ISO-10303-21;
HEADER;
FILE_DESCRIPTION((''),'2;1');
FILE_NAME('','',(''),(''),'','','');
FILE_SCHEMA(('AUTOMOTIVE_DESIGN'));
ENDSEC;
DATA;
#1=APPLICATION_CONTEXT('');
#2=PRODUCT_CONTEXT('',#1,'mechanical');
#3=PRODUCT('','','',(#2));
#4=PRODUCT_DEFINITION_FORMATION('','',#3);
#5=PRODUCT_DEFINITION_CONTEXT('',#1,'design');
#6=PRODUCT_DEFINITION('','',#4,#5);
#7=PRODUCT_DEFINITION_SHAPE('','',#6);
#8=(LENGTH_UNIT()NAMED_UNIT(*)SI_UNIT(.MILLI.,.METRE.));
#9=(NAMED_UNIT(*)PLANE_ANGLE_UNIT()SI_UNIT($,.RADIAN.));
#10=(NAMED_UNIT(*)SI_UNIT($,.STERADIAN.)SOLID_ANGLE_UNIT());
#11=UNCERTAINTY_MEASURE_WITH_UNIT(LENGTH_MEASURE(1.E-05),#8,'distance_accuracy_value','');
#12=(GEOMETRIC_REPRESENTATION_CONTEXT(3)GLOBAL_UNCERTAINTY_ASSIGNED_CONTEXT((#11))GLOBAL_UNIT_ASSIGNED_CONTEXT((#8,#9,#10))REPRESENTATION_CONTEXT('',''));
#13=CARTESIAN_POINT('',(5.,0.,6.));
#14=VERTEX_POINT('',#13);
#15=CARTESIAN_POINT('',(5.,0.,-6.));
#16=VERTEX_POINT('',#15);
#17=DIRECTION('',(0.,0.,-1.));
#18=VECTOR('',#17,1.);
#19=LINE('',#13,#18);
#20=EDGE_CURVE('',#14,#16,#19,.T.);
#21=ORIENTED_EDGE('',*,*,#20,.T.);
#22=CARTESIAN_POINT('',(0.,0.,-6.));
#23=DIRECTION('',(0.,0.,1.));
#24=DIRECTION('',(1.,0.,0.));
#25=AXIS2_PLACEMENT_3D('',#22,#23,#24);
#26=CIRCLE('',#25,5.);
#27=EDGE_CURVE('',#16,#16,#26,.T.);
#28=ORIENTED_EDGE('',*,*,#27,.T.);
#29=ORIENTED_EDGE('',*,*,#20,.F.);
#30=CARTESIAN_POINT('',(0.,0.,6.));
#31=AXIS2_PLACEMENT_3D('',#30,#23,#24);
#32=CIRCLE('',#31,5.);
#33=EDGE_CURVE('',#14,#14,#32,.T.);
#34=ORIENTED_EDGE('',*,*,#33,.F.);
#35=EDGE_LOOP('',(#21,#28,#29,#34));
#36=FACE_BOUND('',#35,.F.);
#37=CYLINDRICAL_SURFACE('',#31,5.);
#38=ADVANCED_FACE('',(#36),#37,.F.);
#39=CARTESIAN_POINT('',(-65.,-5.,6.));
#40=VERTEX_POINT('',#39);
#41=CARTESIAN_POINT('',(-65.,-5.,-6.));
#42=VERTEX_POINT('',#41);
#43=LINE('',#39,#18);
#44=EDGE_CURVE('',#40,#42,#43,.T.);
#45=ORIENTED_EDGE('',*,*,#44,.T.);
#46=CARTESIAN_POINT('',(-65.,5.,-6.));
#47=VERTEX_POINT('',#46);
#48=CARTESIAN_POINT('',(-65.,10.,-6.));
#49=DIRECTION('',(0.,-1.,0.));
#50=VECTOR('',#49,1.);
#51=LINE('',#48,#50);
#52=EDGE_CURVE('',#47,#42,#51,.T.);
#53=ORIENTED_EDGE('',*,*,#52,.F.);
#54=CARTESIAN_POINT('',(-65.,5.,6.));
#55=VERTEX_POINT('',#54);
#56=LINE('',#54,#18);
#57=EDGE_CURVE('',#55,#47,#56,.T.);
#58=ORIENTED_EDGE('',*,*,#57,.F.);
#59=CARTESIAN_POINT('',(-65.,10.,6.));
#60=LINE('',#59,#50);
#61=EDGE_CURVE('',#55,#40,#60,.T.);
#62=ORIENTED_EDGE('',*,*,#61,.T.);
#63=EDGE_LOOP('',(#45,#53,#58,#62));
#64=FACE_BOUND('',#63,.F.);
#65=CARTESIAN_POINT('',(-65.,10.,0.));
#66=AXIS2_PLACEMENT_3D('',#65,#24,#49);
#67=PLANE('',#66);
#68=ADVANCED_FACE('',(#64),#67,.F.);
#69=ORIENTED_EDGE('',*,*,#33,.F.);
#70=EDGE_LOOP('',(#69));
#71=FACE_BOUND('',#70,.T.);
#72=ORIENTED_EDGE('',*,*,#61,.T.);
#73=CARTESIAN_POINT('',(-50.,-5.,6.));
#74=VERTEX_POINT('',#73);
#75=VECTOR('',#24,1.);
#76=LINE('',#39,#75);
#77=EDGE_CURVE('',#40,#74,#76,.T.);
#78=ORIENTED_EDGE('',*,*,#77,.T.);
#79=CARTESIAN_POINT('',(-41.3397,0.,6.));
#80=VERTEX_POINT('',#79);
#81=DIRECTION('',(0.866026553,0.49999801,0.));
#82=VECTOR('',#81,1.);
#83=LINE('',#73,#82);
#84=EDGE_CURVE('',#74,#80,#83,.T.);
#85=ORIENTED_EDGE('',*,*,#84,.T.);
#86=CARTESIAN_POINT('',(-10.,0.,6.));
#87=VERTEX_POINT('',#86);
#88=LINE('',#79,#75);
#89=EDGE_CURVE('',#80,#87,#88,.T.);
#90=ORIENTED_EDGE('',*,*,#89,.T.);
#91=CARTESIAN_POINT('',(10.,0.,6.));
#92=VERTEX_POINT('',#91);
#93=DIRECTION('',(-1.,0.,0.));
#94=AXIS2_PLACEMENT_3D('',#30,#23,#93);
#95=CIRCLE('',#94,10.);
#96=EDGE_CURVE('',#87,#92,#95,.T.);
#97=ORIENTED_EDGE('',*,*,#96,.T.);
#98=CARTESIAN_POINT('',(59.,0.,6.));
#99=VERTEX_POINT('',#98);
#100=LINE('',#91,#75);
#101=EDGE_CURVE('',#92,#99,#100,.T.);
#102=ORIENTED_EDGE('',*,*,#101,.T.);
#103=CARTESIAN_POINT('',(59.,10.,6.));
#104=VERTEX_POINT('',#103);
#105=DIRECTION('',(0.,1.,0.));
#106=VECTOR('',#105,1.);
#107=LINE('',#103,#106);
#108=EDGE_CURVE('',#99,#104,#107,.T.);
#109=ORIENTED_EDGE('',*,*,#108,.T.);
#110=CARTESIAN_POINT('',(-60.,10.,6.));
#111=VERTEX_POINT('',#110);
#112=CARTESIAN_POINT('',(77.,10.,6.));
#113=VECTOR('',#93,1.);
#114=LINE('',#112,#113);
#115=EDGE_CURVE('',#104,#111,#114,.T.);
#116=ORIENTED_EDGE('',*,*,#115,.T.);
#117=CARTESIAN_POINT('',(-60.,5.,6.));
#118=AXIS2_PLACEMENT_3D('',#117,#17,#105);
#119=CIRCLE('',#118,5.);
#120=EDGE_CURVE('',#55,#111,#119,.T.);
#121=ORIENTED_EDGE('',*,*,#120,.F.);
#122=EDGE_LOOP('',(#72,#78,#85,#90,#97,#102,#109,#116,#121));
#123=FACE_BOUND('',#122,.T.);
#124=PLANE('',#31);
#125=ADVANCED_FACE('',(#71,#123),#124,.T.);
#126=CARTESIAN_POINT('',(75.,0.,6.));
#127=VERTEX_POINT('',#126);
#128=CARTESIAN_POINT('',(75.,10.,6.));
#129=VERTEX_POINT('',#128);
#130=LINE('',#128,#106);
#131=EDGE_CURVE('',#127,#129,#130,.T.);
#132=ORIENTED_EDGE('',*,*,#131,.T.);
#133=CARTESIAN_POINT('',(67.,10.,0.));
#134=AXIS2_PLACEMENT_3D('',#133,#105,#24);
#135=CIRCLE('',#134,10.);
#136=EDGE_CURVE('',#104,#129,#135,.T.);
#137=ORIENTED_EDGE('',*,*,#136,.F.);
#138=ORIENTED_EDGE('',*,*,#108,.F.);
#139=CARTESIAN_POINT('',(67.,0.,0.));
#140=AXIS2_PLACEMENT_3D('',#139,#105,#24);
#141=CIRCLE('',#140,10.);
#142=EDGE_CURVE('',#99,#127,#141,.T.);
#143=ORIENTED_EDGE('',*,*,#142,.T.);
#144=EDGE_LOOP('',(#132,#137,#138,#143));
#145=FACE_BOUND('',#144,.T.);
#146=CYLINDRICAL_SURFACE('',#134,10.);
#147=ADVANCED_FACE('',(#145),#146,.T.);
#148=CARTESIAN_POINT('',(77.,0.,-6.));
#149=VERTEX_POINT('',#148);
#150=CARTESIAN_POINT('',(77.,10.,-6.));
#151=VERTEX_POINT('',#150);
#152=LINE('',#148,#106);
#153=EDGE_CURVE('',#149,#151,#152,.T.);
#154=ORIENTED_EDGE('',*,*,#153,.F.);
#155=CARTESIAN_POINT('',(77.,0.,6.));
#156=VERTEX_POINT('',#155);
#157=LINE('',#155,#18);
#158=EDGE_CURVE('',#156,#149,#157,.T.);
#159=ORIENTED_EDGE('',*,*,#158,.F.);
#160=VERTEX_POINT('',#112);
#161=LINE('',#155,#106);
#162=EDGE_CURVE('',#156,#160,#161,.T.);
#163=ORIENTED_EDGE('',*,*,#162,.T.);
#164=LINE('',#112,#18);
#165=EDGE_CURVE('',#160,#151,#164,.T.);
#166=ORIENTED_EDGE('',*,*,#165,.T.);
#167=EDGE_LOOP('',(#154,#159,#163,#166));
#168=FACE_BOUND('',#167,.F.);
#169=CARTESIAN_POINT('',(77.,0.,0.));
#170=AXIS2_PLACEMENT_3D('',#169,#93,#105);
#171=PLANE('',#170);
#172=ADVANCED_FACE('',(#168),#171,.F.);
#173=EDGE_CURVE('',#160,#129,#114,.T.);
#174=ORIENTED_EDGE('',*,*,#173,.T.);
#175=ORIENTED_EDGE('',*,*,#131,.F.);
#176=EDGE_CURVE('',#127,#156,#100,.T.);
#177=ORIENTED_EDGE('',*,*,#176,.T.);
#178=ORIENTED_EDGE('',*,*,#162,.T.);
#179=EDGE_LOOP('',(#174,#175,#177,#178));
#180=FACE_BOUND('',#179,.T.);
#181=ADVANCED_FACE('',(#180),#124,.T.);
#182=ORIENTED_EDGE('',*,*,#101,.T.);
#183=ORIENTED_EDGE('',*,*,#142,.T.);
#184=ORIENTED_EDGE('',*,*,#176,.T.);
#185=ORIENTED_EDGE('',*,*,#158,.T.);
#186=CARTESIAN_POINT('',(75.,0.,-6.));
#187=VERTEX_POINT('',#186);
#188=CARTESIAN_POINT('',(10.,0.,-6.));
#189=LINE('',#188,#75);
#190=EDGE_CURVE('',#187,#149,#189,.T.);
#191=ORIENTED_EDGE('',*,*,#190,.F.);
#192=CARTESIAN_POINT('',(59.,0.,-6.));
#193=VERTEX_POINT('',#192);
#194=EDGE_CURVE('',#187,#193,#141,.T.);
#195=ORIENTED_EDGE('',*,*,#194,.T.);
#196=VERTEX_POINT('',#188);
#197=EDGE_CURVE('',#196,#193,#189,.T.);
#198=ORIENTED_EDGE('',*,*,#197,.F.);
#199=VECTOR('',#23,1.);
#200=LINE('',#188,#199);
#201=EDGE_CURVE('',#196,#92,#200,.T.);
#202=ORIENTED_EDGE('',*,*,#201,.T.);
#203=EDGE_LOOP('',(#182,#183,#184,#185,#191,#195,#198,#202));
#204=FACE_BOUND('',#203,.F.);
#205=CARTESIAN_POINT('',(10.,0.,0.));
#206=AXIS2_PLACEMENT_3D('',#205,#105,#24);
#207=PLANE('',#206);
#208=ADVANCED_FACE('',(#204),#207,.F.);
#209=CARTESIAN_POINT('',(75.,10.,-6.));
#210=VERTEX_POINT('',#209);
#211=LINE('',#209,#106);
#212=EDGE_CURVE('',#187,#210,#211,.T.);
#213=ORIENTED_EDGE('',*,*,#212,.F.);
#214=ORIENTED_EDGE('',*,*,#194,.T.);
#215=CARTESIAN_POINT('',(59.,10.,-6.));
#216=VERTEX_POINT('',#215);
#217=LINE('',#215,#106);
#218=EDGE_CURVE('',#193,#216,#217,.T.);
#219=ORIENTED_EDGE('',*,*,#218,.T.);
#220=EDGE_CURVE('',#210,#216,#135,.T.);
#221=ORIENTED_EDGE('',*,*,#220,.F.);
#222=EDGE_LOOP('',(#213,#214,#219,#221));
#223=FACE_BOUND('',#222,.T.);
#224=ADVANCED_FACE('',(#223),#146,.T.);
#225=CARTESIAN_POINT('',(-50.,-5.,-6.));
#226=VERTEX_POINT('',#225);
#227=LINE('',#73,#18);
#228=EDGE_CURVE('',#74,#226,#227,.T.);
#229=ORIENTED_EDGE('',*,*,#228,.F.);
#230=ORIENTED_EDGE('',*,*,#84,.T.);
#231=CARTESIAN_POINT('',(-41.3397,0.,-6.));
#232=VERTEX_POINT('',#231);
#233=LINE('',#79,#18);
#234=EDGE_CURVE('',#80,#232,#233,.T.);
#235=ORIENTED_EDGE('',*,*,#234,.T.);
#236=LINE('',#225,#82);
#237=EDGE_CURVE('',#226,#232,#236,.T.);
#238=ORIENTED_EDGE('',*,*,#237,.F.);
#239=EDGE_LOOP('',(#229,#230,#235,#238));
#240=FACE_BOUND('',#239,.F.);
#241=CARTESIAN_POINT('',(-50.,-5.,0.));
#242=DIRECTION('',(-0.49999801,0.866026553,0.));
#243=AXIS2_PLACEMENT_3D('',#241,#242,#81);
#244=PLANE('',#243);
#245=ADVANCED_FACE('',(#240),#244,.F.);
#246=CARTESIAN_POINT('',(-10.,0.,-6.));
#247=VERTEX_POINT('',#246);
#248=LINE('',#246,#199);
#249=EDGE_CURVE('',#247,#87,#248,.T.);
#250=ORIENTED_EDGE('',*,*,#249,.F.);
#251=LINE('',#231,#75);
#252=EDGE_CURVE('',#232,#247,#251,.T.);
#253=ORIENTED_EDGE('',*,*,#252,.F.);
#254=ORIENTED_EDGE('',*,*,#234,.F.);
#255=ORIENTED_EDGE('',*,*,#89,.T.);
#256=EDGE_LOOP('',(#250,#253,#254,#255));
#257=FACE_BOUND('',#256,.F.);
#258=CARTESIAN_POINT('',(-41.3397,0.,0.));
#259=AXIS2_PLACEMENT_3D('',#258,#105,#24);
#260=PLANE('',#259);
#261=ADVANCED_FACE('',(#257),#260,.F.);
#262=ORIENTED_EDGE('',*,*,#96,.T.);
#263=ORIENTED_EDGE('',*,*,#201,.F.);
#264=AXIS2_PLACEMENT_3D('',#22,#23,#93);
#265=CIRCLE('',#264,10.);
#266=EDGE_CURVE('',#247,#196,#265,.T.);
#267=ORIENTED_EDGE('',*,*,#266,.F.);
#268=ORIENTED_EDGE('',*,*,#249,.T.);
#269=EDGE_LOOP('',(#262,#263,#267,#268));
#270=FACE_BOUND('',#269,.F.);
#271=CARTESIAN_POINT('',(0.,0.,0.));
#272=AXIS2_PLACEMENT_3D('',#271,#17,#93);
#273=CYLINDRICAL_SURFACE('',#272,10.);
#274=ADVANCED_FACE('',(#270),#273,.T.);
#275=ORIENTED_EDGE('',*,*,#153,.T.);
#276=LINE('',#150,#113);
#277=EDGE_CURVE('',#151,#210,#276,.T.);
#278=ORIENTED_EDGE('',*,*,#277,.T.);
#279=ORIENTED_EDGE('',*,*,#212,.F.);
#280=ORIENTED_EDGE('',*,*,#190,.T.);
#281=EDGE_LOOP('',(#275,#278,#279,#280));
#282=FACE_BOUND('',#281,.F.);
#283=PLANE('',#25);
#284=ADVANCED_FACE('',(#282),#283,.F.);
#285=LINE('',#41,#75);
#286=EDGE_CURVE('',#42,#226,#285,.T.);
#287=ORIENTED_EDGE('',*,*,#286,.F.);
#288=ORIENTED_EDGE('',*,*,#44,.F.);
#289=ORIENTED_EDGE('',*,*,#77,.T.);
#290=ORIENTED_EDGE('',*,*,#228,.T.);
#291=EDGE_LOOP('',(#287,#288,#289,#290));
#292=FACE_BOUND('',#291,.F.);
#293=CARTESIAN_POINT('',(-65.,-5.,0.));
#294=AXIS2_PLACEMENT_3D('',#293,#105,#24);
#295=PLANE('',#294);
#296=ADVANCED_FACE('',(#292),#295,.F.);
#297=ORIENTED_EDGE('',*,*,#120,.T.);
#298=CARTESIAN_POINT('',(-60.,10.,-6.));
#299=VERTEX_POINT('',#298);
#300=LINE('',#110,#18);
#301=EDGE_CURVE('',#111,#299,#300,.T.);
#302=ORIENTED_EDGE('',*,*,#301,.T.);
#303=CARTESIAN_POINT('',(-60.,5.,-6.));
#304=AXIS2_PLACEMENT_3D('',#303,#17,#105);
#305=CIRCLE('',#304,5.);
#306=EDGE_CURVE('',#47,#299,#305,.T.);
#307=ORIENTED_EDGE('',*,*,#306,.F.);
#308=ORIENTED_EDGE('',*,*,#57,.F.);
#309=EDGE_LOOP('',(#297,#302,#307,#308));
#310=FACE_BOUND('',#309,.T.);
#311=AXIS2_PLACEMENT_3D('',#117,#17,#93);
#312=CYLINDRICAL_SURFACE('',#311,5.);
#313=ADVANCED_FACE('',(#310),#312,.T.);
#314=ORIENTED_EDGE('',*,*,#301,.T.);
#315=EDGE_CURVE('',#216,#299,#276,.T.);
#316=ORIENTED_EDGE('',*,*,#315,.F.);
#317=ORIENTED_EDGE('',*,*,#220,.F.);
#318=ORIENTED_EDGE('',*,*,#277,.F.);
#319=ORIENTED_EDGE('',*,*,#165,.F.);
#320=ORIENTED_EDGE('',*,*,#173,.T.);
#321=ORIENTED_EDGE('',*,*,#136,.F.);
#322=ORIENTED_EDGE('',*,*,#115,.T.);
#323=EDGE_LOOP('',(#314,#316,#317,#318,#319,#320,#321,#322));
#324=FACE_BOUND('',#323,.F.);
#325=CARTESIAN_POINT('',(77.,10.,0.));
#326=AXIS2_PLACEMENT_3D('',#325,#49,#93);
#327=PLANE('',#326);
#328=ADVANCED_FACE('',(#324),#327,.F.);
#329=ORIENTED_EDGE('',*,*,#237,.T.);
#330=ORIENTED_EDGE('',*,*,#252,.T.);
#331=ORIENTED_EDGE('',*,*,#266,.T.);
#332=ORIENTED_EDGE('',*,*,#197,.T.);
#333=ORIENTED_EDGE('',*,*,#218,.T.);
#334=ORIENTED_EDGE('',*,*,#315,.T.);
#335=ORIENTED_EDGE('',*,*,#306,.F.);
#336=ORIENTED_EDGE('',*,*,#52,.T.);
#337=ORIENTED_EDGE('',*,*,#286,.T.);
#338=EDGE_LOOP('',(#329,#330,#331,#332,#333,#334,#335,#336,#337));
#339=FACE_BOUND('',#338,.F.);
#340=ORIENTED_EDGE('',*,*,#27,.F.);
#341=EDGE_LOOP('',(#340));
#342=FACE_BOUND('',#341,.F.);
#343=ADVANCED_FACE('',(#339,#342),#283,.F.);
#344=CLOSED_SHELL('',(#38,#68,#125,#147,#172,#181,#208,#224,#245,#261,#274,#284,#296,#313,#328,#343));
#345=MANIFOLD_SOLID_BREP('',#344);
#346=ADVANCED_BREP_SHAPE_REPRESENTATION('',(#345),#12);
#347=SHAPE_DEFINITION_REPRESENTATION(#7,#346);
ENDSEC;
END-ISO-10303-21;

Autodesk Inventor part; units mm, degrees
ref_plane "YZ Plane" through (0, 0, 0) normal (1, 0, 0) x (0, 1, 0)
ref_plane "XZ Plane" through (0, 0, 0) normal (0, 1, 0) x (-1, 0, 0)
ref_plane "XY Plane" through (0, 0, 0) normal (0, 0, 1) x (1, 0, 0)
sketch "Esboço1" plane through (0, 0, 0) normal (0, 0, 1) x (1, 0, 0)
  arc A0 (-10, 0) -> (10, 0) centre (0, 0) ccw
  line L0 (10, 0) -> (77, 0)
  line L1 (77, 0) -> (77, 10)
  line L2 (77, 10) -> (-65, 10)
  line L3 (-65, 10) -> (-65, -5)
  line L4 (-65, -5) -> (-50, -5)
  line L5 (-50, -5) -> (-41.3397, 0)
  line L6 (-41.3397, 0) -> (-10, 0)
  dimension "d0" = 20
  dimension "d1" = 142
  dimension "d2" = 77
  dimension "d3" = 15
  dimension "d4" = 30
  dimension "d5" = 10
  dimension "d6" = 15
extrude "Extrusão1" add sketch "Esboço1" along normal mid plane 12
fillet "Arredondamento1" radius 5 1 edges at (-65, 10, 0)
sketch "Esboço2" plane through (0, 0, 6) normal (0, 0, 1) x (1, 0, 0)
  circle A0 centre (0, 0) radius 5
  dimension "d10" = 10
extrude "Extrusão2" cut sketch "Esboço2" against normal through all
sketch "Esboço3" plane through (77, 10, 6) normal (0, 1, 0) x (1, 0, 0)
  circle A0 centre (-10, 6) radius 10
  line L0 (0, 12) -> (0, 0) projected
  line L1 (-137, 0) -> (-137, 12) projected
  point P0 (-77, 6)
  point P1 (-137, 6)
  dimension "d13" = 20
  dimension "d14" = 10
extrude "Extrusão3" add sketch "Esboço3" against normal blind 10
properties material "Liga de aço"
